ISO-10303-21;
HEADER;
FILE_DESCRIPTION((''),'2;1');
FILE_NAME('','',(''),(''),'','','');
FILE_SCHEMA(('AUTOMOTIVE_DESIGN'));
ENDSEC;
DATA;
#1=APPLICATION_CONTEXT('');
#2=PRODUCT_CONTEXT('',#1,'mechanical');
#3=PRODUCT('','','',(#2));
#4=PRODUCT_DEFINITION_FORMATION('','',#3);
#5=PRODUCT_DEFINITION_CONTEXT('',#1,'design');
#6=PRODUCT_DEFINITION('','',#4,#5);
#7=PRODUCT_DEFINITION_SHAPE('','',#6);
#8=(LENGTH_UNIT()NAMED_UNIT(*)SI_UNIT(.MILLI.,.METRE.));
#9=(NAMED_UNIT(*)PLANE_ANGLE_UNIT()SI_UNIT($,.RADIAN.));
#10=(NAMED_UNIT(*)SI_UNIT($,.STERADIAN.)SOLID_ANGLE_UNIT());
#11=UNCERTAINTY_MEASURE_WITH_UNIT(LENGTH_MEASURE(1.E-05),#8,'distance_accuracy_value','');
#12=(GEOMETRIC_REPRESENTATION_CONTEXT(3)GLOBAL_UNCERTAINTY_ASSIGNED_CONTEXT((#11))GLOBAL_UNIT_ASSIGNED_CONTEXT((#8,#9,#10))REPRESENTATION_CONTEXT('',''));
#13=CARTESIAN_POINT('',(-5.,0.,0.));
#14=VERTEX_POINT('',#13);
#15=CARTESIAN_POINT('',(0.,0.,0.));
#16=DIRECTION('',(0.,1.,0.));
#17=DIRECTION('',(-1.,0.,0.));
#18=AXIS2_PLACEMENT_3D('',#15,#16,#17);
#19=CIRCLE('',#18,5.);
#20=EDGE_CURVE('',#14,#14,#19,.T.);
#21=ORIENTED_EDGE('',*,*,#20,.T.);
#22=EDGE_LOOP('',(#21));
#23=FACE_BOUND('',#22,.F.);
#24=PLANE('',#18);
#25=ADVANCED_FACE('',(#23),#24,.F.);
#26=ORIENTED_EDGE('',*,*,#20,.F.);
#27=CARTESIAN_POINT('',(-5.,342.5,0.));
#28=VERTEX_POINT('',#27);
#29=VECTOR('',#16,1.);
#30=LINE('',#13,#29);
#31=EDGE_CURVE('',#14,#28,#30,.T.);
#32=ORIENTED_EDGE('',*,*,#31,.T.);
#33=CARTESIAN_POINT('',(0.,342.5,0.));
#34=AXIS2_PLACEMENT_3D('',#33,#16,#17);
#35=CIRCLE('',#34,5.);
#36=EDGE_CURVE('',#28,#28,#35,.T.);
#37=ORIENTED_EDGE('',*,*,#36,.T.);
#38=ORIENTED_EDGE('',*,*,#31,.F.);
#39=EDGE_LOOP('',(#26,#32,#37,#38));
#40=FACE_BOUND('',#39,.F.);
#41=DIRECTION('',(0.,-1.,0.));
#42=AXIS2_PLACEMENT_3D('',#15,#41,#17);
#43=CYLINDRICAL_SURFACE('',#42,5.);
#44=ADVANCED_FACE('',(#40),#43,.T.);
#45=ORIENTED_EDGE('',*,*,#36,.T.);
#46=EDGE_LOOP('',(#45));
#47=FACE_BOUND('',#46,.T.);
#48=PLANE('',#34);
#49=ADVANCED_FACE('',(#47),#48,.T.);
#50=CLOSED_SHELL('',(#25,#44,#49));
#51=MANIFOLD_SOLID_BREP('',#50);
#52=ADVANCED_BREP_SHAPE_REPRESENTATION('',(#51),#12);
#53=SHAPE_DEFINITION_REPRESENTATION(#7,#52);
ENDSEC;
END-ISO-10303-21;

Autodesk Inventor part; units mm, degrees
ref_plane "YZ Plane" through (0, 0, 0) normal (1, 0, 0) x (0, 1, 0)
ref_plane "XZ Plane" through (0, 0, 0) normal (0, 1, 0) x (-1, 0, 0)
ref_plane "XY Plane" through (0, 0, 0) normal (0, 0, 1) x (1, 0, 0)
sketch "Sketch1" plane through (0, 0, 0) normal (0, 1, 0) x (-1, 0, 0)
  circle A0 centre (0, 0) radius 5
  dimension "d0" = 10
extrude "Extrusion1" add sketch "Sketch1" along normal blind 342.5
properties part number "smooth_rod_z"
